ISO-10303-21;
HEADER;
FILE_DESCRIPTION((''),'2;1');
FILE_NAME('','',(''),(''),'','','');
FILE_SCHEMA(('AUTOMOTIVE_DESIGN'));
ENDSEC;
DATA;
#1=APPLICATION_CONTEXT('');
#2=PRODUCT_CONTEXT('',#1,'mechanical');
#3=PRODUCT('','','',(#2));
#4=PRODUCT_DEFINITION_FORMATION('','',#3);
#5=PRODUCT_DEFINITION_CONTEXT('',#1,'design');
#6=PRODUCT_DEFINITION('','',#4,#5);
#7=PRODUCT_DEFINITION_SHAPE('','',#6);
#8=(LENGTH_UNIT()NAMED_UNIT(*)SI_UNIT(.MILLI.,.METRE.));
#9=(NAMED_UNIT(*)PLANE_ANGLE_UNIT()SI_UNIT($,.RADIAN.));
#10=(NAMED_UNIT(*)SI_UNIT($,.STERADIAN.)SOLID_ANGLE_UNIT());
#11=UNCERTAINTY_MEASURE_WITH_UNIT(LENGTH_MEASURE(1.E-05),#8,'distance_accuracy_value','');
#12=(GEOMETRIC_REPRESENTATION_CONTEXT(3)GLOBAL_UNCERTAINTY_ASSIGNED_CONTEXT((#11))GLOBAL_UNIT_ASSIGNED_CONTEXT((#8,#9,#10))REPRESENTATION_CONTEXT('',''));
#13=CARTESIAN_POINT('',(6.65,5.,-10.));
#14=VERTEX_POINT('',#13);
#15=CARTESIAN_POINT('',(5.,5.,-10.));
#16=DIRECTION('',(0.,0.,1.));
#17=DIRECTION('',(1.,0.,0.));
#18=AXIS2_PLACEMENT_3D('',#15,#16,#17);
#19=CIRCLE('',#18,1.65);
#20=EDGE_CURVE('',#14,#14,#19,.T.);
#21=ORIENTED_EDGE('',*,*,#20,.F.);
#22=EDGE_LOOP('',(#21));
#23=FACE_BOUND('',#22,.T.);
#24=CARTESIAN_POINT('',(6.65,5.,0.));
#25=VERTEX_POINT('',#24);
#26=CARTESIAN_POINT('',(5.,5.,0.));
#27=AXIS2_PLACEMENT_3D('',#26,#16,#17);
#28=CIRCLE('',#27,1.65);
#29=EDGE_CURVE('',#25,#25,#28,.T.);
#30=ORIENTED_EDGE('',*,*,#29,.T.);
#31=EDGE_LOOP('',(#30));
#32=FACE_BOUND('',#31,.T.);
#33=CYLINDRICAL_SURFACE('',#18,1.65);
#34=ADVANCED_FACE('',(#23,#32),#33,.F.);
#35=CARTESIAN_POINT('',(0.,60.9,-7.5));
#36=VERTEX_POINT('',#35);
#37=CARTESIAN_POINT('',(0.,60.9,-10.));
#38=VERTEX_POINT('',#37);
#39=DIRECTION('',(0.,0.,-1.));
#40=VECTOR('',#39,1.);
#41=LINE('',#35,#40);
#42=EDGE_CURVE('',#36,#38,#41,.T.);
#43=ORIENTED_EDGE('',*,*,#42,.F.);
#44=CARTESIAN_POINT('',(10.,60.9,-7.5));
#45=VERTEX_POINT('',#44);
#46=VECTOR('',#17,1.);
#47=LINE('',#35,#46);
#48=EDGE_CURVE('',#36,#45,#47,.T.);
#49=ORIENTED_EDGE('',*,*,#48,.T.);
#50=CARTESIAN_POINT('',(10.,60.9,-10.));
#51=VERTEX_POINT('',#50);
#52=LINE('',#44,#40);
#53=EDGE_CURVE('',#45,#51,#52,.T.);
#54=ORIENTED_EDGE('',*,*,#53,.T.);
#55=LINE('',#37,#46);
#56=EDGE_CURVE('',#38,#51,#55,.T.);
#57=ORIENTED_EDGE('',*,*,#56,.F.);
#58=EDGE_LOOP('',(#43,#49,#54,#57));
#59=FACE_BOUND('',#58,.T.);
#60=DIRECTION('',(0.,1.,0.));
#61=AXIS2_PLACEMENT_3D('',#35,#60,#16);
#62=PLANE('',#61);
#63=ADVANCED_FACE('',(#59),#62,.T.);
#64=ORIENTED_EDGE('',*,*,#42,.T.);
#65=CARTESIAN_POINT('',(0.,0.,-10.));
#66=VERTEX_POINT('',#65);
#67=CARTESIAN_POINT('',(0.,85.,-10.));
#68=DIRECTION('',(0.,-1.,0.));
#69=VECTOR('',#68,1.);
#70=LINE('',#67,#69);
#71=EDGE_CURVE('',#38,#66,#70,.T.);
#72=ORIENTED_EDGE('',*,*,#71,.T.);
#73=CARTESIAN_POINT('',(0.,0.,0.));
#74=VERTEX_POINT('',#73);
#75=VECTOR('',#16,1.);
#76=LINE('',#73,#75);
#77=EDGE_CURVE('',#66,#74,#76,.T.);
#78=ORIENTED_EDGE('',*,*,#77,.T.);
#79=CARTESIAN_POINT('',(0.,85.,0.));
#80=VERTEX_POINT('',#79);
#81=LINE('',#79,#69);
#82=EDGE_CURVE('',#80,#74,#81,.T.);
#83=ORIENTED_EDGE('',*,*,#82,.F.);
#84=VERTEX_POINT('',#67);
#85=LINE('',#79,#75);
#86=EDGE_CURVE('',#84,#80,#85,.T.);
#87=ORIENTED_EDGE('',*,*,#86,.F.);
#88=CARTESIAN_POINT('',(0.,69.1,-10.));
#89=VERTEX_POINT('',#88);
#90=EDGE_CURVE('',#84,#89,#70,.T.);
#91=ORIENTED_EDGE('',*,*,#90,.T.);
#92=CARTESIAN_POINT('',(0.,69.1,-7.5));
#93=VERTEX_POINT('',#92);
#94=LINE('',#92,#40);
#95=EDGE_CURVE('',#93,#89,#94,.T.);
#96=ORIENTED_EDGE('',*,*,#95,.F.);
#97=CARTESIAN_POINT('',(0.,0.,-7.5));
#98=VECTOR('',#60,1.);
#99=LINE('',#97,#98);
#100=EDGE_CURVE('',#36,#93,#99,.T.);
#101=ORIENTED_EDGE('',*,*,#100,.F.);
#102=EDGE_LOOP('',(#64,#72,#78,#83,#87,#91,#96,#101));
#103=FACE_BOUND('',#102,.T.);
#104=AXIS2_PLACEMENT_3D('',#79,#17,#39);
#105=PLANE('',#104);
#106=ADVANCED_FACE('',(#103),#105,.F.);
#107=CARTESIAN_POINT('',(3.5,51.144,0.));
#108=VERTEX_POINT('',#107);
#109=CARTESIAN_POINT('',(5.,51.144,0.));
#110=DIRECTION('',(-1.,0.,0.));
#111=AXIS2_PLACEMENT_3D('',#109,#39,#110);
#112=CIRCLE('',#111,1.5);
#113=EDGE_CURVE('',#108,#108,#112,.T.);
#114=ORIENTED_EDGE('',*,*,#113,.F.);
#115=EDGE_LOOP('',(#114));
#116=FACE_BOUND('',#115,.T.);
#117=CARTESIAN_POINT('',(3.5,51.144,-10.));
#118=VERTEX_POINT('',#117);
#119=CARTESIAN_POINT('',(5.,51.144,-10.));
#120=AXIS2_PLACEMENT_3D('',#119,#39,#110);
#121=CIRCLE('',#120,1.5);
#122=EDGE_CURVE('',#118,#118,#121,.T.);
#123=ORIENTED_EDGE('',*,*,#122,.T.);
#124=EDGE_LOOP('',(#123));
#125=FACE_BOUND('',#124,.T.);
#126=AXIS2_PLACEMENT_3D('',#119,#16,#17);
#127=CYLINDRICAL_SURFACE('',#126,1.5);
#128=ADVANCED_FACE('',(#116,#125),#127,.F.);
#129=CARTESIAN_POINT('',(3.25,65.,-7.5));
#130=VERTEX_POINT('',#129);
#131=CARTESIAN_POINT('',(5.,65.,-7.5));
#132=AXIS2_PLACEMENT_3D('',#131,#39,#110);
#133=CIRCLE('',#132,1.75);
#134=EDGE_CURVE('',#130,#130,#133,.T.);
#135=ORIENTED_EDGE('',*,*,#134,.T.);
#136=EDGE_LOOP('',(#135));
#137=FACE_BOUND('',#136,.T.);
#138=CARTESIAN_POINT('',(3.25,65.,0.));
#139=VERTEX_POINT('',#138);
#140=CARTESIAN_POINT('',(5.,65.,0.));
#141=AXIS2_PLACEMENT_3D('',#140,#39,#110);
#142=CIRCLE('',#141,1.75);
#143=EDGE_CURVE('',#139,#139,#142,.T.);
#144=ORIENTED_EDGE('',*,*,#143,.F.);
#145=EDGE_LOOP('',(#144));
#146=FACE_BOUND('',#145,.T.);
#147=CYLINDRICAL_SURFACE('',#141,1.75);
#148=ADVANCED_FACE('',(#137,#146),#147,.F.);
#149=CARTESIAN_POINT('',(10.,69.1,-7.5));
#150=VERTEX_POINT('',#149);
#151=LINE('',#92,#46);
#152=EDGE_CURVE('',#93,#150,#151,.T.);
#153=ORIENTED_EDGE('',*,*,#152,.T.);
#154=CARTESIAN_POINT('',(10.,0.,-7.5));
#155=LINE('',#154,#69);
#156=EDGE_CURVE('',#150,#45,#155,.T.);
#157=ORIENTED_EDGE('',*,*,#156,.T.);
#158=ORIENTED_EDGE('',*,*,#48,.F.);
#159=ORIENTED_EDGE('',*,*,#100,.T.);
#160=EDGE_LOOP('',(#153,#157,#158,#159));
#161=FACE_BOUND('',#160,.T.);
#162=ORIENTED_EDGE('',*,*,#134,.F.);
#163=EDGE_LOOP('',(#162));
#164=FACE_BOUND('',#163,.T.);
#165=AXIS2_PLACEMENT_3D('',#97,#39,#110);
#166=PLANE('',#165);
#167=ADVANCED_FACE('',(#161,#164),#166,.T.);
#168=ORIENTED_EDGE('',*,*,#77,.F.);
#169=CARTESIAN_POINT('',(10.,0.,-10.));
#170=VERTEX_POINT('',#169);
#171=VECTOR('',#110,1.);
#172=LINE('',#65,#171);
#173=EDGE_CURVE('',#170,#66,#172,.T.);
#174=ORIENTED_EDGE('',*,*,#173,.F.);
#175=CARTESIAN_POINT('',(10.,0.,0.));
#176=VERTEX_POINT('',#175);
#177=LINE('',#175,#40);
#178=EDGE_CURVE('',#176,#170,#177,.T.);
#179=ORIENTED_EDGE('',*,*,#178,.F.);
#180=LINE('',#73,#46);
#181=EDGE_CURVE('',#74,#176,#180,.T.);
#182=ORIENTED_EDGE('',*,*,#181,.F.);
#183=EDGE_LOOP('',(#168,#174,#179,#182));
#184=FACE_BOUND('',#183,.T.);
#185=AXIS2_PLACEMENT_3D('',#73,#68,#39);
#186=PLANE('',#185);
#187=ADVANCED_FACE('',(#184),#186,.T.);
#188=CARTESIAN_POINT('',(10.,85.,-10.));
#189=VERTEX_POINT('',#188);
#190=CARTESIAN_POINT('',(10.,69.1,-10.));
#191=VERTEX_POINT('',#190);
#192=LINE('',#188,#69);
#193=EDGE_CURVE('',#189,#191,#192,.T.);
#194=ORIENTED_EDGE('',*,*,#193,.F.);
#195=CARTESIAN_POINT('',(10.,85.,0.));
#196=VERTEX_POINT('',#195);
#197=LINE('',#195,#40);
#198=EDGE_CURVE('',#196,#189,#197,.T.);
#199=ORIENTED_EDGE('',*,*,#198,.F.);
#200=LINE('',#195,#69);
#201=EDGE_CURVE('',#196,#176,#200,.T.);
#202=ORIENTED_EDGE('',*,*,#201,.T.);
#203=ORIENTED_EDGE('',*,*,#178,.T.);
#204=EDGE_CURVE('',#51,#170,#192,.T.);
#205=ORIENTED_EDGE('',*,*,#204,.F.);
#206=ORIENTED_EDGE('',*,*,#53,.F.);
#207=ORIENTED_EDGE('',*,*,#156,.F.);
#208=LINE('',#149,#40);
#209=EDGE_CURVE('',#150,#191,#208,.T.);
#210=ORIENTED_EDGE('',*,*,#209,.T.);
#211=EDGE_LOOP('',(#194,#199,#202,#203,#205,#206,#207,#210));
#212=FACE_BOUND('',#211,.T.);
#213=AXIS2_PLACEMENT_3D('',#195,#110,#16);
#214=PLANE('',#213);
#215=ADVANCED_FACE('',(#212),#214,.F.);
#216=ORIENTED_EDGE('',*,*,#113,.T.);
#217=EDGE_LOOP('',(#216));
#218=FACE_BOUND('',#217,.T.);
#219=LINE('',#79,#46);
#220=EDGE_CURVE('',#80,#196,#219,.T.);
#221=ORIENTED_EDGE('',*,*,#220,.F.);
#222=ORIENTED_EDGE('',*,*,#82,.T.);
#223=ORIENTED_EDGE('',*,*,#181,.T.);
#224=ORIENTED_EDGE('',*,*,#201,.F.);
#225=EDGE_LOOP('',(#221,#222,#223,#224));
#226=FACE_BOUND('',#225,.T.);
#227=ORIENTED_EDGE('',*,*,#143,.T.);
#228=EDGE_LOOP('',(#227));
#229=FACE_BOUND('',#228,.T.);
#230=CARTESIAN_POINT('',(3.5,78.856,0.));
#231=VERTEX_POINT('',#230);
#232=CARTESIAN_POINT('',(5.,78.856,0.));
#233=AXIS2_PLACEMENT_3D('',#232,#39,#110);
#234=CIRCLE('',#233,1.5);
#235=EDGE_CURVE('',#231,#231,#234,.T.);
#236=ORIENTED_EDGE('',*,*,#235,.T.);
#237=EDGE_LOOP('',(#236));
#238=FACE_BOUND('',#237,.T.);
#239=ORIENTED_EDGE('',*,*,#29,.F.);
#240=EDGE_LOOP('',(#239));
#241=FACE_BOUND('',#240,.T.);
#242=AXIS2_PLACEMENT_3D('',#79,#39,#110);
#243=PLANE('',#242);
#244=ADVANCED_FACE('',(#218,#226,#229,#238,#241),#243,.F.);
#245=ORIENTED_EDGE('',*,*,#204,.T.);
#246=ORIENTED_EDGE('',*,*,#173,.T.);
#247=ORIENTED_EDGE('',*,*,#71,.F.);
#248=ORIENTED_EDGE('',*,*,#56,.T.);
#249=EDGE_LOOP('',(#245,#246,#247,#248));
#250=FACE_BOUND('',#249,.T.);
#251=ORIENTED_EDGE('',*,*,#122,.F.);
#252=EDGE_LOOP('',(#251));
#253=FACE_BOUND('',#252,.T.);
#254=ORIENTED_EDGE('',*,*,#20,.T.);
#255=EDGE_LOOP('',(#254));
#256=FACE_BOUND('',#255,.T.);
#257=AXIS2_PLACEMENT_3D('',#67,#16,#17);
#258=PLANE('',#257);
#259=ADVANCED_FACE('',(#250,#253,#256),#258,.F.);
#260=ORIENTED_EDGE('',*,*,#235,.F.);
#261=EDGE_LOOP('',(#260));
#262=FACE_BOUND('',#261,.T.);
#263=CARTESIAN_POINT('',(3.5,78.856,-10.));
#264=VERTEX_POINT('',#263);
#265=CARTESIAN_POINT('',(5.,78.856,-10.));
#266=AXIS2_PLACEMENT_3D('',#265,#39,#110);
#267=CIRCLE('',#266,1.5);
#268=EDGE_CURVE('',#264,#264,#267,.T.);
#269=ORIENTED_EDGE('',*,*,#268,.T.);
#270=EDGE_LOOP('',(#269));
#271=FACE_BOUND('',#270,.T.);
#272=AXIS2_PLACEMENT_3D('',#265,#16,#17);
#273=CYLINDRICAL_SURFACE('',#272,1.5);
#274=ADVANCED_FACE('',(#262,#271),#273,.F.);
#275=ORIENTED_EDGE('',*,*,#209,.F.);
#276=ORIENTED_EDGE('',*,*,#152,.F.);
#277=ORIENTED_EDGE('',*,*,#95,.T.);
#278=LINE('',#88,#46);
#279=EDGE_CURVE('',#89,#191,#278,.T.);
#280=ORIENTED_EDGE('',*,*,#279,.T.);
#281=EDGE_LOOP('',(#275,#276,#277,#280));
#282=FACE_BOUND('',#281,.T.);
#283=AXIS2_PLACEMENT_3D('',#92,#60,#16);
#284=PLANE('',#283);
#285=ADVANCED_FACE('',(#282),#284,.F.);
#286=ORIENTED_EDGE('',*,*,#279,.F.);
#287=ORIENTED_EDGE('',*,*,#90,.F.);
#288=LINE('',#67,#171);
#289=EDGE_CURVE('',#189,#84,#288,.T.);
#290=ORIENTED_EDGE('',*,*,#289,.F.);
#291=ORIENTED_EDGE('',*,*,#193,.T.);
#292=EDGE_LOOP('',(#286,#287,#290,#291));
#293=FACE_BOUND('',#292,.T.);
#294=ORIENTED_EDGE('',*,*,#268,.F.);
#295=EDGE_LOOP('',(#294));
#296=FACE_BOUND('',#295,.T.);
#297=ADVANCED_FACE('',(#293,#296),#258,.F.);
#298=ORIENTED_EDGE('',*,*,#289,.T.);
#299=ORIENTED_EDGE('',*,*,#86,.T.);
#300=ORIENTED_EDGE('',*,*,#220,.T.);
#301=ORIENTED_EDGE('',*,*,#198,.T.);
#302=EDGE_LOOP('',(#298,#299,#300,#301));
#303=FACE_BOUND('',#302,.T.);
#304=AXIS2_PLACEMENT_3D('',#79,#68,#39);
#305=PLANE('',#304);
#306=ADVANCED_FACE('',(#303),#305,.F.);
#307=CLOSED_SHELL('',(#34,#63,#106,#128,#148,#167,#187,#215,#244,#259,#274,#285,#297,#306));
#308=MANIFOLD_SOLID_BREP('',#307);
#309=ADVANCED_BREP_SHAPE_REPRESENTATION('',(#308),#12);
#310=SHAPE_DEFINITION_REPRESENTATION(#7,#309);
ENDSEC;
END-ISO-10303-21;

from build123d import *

# Parameters (mm, degrees)
SKETCH1_W               = 10
SKETCH1_H               = 10
BOSS_EXTRUDE1_DEPTH     = 85
CUT_EXTRUDE1_DEPTH      = 2.5
SKETCH3_R               = 1.75
CUT_EXTRUDE2_DEPTH      = 86.914201387
CUT_EXTRUDE3_DEPTH      = 2.5
CUT_EXTRUDE3_DEPTH_BACK = 86.914201387
SKETCH4_R               = 1.5
SKETCH5_R               = 1.65
CUT_EXTRUDE4_DEPTH      = 87.168439698


with BuildPart() as part:
    # Sketch1 → Boss-Extrude1 (new body)
    with BuildSketch(Plane(origin=(0, 0, 0), x_dir=(1, 0, 0), z_dir=(0, 1, 0))):
        with Locations((5, 5)):
            Rectangle(SKETCH1_W, SKETCH1_H)
    extrude(amount=BOSS_EXTRUDE1_DEPTH)

    # Sketch2 → Cut-Extrude1 (cut)
    with BuildSketch(Plane(origin=(0, 0, -10), x_dir=(-1, 0, 0), z_dir=(0, 0, -1))):
        Polygon((0, 60.9), (0, 69.1), (-5, 69.1), (-10, 69.1), (-10, 60.9), align=None)
    extrude(amount=-CUT_EXTRUDE1_DEPTH, mode=Mode.SUBTRACT)

    # Sketch3 → Cut-Extrude2 (cut, through all)
    with BuildSketch(Plane(origin=(0, 0, -7.5), x_dir=(-1, 0, 0), z_dir=(0, 0, -1))):
        with Locations((-5, 65)):
            Circle(SKETCH3_R)
    extrude(amount=-CUT_EXTRUDE2_DEPTH, mode=Mode.SUBTRACT)

    # Sketch4 → Cut-Extrude3 (cut, two sides: drawn at the far end of the back side and taken through both)
    with BuildSketch(Plane(origin=(0, 0, -7.5), x_dir=(-1, 0, 0), z_dir=(0, 0, -1)).offset(-CUT_EXTRUDE3_DEPTH_BACK)):
        with Locations((-5, 78.856)):
            Circle(SKETCH4_R)
        with Locations((-5, 51.144)):
            Circle(SKETCH4_R)
    extrude(amount=CUT_EXTRUDE3_DEPTH + CUT_EXTRUDE3_DEPTH_BACK, mode=Mode.SUBTRACT)

    # Sketch5 → Cut-Extrude4 (cut, through all)
    with BuildSketch(Plane.XY):
        with Locations((5, 5)):
            Circle(SKETCH5_R)
    extrude(amount=-CUT_EXTRUDE4_DEPTH, mode=Mode.SUBTRACT)


solid = part.part
